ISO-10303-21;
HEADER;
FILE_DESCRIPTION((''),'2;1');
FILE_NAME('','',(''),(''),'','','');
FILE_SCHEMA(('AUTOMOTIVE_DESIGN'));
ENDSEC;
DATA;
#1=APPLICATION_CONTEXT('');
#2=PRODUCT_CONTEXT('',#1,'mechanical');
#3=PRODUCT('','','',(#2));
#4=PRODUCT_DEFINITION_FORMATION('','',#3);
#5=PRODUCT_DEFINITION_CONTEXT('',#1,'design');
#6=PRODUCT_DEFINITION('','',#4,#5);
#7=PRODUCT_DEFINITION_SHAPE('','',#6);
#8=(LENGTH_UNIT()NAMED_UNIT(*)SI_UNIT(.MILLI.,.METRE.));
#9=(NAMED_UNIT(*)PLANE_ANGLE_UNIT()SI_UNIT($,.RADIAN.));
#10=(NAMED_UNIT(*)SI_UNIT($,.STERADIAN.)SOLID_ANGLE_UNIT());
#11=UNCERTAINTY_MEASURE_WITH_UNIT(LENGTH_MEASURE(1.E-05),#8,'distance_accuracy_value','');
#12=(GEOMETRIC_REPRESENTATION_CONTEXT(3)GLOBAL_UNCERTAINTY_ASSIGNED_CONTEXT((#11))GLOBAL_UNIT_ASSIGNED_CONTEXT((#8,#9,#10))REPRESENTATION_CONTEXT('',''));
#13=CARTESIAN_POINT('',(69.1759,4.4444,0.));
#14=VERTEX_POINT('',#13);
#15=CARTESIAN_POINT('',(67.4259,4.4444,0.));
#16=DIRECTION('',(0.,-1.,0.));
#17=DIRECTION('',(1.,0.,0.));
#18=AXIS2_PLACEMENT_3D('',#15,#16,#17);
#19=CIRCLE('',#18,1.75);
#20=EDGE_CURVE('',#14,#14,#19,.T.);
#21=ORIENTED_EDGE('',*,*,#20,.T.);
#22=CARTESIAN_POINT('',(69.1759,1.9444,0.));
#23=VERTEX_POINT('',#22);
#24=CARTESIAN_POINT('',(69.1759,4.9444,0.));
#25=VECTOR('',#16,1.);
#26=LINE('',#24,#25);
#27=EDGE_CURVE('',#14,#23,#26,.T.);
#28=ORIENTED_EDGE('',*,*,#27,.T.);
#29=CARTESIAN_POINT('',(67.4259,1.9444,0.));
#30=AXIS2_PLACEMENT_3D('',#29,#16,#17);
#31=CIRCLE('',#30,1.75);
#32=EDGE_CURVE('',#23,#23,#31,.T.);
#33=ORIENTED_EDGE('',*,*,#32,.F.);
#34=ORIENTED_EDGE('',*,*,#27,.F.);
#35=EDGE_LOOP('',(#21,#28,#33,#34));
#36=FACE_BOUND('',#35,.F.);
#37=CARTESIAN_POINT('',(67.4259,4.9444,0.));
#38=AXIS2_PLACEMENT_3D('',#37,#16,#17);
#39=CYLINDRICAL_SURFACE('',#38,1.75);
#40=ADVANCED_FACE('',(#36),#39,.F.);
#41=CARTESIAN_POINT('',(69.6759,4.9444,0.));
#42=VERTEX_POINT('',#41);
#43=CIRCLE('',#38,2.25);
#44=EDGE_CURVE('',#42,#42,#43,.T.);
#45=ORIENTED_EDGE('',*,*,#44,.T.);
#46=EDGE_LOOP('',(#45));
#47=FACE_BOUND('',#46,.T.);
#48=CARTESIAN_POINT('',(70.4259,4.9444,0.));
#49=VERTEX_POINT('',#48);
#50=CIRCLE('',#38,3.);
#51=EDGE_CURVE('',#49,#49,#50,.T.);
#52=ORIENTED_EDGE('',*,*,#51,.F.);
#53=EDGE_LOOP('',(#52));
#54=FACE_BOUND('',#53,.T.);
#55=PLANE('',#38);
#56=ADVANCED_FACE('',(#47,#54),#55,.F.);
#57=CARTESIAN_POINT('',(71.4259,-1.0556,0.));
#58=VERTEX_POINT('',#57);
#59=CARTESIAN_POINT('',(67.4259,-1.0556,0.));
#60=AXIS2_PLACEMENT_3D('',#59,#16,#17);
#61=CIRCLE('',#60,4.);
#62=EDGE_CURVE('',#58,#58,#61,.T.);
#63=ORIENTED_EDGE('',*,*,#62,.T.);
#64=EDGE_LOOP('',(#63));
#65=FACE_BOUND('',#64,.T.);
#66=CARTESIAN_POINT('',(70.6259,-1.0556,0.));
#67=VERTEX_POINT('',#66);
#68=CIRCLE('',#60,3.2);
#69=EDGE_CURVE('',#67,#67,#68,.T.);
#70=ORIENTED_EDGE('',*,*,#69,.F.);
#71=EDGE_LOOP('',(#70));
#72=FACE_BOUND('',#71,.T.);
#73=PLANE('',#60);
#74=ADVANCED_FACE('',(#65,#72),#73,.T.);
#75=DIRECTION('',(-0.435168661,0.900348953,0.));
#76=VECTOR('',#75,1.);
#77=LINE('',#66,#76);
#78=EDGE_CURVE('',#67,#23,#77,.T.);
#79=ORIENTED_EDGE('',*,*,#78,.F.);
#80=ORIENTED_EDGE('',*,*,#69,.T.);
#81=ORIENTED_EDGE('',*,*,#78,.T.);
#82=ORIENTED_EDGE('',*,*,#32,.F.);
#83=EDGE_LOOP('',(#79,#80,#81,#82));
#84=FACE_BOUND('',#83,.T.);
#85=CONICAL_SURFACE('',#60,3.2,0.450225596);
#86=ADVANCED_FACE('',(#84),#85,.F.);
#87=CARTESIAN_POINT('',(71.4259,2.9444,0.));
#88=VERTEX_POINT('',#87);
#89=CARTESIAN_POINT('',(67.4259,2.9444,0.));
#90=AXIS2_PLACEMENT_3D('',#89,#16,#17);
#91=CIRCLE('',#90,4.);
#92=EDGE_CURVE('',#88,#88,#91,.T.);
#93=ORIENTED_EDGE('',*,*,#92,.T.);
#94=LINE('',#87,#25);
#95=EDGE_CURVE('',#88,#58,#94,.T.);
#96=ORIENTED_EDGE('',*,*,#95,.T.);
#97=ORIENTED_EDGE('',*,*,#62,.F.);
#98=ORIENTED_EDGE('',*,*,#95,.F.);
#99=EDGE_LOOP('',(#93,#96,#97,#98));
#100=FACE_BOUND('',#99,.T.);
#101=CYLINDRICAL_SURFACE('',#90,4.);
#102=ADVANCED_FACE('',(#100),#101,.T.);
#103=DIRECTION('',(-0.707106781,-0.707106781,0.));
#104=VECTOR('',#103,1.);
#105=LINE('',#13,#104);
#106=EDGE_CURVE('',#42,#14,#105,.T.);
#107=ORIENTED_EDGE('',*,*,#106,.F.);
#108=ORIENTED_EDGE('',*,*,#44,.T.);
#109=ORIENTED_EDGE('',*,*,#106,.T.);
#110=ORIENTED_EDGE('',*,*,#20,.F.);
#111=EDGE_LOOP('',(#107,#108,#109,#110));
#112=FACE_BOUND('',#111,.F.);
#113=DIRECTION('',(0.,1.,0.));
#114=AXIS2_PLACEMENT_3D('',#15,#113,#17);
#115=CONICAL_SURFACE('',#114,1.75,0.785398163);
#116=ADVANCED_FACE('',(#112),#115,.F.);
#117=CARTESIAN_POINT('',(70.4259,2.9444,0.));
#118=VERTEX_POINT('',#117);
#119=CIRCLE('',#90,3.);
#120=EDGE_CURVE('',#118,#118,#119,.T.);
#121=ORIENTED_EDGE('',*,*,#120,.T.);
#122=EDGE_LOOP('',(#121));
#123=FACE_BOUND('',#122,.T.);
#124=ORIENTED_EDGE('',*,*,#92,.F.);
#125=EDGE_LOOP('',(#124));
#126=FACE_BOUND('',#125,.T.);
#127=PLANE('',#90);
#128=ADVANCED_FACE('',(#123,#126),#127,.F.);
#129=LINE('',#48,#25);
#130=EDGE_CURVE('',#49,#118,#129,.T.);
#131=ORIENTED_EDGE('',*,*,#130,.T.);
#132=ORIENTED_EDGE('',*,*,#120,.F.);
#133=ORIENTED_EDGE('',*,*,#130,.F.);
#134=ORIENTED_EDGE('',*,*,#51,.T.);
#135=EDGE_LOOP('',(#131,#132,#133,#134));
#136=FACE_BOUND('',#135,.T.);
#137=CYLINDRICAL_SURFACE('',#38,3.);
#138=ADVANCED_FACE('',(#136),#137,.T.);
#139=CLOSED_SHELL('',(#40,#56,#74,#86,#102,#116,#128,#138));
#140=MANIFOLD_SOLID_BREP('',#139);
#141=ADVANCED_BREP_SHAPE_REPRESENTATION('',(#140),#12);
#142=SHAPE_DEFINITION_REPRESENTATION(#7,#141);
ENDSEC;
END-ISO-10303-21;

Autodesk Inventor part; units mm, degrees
ref_plane "YZ Plane" through (0, 0, 0) normal (1, 0, 0) x (0, 1, 0)
ref_plane "XZ Plane" through (0, 0, 0) normal (0, 1, 0) x (-1, 0, 0)
ref_plane "XY Plane" through (0, 0, 0) normal (0, 0, 1) x (1, 0, 0)
sketch "Эскиз1" plane through (0, 0, 0) normal (0, 0, 1) x (1, 0, 0)
  line L0 (69.1759, 4.9444) -> (70.4259, 4.9444)
  line L1 (70.4259, 4.9444) -> (70.4259, 2.9444)
  line L2 (67.4259, 4.9444) -> (67.4259, 0)
  line L3 (69.1759, 4.9444) -> (69.1759, 1.9444)
  line L4 (70.4259, 2.9444) -> (71.4259, 2.9444)
  line L5 (71.4259, 2.9444) -> (71.4259, -1.0556)
  line L6 (71.4259, -1.0556) -> (70.6259, -1.0556)
  line L7 (70.6259, -1.0556) -> (69.1759, 1.9444)
  point P0 (0, 0)
  dimension "d0" = 6
  dimension "d1" = 8
  dimension "d2" = 2
  dimension "d3" = 4
  dimension "d4" = 3
  dimension "d5" = 0.8
  dimension "d6" = 3.5
revolve "Вращение1" add sketch "Эскиз1" angle 360 about axis through (67.4259, 4.9444, 0) along (0, -1, 0)
chamfer "Фаска1" distance 0.5 angle 45 1 edges at (65.6759, 4.9444, 0)
properties part number "nut" material "Сталь, литейная"
